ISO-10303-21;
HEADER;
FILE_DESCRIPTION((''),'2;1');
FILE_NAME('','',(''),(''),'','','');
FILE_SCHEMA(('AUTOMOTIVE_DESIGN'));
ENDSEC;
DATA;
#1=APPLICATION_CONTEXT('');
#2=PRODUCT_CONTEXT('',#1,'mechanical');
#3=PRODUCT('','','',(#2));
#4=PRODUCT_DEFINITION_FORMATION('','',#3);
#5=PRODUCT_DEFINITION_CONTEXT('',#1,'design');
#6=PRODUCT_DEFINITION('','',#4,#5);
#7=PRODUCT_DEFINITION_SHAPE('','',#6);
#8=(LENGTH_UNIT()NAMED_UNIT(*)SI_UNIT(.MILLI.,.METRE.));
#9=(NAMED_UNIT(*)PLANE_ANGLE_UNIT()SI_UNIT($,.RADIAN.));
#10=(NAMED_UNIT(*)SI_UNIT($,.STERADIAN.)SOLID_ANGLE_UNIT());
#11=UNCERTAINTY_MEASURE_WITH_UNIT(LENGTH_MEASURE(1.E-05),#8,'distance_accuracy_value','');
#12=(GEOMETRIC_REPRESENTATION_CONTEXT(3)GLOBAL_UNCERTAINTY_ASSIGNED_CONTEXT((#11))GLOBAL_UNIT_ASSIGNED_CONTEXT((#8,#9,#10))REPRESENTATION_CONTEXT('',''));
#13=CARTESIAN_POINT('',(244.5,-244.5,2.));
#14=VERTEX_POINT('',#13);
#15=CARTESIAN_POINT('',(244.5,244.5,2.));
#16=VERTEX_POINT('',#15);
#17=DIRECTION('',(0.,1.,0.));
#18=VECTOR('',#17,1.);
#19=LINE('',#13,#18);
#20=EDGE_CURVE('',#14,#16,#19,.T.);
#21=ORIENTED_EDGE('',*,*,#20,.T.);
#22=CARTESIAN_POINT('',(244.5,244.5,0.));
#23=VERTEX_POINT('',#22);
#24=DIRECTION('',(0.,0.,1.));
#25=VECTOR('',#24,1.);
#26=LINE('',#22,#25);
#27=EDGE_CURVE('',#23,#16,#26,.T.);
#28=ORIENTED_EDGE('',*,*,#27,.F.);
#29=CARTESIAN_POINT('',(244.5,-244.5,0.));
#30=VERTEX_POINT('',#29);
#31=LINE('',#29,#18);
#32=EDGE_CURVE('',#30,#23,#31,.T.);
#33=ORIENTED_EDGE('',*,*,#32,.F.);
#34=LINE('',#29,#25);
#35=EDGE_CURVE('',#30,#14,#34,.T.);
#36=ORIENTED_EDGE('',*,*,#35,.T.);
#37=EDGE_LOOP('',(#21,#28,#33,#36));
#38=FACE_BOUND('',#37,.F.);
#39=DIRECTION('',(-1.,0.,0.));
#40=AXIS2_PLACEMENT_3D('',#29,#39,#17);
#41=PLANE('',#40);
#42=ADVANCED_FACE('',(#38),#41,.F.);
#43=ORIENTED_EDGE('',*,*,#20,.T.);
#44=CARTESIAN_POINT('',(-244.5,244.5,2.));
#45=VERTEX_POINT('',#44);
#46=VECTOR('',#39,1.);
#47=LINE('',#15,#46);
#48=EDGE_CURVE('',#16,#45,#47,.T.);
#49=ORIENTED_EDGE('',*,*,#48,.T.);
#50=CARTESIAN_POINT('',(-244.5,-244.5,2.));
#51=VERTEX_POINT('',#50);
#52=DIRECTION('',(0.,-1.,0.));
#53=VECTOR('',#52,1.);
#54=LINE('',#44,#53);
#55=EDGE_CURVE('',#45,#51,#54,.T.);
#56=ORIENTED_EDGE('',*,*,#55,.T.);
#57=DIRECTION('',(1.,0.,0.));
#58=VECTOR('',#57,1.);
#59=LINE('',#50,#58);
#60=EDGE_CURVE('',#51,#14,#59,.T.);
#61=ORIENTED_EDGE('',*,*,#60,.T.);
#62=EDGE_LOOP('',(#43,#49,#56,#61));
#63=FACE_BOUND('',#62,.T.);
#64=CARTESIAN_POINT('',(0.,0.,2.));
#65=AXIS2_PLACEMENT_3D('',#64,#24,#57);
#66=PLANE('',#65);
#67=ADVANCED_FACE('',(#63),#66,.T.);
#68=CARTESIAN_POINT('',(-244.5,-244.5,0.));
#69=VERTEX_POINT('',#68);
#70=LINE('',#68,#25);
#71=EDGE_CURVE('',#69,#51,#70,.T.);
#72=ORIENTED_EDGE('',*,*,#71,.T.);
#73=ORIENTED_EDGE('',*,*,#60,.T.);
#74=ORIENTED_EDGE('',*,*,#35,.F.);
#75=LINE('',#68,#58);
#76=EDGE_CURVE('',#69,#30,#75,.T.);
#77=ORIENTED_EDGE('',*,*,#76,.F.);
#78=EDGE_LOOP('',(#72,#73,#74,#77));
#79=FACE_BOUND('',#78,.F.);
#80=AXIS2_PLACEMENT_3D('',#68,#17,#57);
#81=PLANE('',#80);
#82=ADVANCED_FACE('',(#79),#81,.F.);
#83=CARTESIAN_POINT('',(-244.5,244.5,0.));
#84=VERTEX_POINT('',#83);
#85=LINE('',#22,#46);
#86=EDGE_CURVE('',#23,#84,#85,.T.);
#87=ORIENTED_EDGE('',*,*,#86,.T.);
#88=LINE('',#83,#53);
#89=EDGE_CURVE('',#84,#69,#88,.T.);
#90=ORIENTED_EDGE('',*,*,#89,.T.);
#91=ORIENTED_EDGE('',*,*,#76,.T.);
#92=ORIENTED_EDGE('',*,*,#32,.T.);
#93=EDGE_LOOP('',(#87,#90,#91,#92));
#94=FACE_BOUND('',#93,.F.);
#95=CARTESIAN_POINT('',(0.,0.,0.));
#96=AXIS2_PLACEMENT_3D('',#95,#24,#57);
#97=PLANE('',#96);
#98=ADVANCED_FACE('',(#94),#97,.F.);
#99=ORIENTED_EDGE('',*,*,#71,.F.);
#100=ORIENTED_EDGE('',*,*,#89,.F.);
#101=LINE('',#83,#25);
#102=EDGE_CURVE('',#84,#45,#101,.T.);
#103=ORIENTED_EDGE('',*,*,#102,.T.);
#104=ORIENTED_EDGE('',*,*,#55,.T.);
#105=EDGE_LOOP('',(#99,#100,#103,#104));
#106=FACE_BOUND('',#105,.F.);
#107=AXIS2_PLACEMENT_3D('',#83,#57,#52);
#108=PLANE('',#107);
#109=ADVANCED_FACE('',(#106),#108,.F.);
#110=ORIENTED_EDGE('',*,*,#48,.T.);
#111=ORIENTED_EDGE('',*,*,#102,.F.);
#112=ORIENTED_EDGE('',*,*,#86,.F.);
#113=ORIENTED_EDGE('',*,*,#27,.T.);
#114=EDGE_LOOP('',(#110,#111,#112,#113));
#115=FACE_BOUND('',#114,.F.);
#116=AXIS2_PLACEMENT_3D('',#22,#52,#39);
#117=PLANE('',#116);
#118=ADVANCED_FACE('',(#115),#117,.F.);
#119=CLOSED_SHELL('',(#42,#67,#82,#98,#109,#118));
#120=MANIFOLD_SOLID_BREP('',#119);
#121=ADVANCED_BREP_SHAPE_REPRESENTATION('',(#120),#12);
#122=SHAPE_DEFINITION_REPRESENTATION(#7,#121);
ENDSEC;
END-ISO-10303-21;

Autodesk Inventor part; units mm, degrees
ref_plane "YZ Plane" through (0, 0, 0) normal (1, 0, 0) x (0, 1, 0)
ref_plane "XZ Plane" through (0, 0, 0) normal (0, 1, 0) x (-1, 0, 0)
ref_plane "XY Plane" through (0, 0, 0) normal (0, 0, 1) x (1, 0, 0)
sketch "Sketch1" plane through (0, 0, 0) normal (0, 0, 1) x (1, 0, 0)
  line L0 (285, 285) -> (-285, -285) construction
  line L1 (-244.5, -244.5) -> (244.5, -244.5)
  line L2 (244.5, -244.5) -> (244.5, 244.5)
  line L3 (244.5, 244.5) -> (-244.5, 244.5)
  line L4 (-244.5, 244.5) -> (-244.5, -244.5)
  line L5 (-244.5, -244.5) -> (244.5, 244.5) construction
  line L6 (244.5, -244.5) -> (-244.5, 244.5) construction
  point P0 (0, 0)
  dimension "d2" = 489
  dimension "d18" = 489
extrude "Plate1" add sketch "Sketch1" along normal blind 2
equation "\"d3\" = Thickness"
equation "\"BendRadius\" = Thickness"
equation "\"BendReliefWidth\" = Thickness"
equation "\"BendReliefDepth\" = 0.5 * Thickness"
equation "\"CornerReliefSize\" = 4 * Thickness"
equation "\"MinimumRemnant\" = 2 * Thickness"
equation "\"TransitionRadius\" = BendRadius"
equation "\"JacobiRadiusSize\" = BendRadius"
equation "\"GapSize\" = Thickness"
equation "\"Thickness\" = 2"
properties part number "PNS waste water bin 04"
